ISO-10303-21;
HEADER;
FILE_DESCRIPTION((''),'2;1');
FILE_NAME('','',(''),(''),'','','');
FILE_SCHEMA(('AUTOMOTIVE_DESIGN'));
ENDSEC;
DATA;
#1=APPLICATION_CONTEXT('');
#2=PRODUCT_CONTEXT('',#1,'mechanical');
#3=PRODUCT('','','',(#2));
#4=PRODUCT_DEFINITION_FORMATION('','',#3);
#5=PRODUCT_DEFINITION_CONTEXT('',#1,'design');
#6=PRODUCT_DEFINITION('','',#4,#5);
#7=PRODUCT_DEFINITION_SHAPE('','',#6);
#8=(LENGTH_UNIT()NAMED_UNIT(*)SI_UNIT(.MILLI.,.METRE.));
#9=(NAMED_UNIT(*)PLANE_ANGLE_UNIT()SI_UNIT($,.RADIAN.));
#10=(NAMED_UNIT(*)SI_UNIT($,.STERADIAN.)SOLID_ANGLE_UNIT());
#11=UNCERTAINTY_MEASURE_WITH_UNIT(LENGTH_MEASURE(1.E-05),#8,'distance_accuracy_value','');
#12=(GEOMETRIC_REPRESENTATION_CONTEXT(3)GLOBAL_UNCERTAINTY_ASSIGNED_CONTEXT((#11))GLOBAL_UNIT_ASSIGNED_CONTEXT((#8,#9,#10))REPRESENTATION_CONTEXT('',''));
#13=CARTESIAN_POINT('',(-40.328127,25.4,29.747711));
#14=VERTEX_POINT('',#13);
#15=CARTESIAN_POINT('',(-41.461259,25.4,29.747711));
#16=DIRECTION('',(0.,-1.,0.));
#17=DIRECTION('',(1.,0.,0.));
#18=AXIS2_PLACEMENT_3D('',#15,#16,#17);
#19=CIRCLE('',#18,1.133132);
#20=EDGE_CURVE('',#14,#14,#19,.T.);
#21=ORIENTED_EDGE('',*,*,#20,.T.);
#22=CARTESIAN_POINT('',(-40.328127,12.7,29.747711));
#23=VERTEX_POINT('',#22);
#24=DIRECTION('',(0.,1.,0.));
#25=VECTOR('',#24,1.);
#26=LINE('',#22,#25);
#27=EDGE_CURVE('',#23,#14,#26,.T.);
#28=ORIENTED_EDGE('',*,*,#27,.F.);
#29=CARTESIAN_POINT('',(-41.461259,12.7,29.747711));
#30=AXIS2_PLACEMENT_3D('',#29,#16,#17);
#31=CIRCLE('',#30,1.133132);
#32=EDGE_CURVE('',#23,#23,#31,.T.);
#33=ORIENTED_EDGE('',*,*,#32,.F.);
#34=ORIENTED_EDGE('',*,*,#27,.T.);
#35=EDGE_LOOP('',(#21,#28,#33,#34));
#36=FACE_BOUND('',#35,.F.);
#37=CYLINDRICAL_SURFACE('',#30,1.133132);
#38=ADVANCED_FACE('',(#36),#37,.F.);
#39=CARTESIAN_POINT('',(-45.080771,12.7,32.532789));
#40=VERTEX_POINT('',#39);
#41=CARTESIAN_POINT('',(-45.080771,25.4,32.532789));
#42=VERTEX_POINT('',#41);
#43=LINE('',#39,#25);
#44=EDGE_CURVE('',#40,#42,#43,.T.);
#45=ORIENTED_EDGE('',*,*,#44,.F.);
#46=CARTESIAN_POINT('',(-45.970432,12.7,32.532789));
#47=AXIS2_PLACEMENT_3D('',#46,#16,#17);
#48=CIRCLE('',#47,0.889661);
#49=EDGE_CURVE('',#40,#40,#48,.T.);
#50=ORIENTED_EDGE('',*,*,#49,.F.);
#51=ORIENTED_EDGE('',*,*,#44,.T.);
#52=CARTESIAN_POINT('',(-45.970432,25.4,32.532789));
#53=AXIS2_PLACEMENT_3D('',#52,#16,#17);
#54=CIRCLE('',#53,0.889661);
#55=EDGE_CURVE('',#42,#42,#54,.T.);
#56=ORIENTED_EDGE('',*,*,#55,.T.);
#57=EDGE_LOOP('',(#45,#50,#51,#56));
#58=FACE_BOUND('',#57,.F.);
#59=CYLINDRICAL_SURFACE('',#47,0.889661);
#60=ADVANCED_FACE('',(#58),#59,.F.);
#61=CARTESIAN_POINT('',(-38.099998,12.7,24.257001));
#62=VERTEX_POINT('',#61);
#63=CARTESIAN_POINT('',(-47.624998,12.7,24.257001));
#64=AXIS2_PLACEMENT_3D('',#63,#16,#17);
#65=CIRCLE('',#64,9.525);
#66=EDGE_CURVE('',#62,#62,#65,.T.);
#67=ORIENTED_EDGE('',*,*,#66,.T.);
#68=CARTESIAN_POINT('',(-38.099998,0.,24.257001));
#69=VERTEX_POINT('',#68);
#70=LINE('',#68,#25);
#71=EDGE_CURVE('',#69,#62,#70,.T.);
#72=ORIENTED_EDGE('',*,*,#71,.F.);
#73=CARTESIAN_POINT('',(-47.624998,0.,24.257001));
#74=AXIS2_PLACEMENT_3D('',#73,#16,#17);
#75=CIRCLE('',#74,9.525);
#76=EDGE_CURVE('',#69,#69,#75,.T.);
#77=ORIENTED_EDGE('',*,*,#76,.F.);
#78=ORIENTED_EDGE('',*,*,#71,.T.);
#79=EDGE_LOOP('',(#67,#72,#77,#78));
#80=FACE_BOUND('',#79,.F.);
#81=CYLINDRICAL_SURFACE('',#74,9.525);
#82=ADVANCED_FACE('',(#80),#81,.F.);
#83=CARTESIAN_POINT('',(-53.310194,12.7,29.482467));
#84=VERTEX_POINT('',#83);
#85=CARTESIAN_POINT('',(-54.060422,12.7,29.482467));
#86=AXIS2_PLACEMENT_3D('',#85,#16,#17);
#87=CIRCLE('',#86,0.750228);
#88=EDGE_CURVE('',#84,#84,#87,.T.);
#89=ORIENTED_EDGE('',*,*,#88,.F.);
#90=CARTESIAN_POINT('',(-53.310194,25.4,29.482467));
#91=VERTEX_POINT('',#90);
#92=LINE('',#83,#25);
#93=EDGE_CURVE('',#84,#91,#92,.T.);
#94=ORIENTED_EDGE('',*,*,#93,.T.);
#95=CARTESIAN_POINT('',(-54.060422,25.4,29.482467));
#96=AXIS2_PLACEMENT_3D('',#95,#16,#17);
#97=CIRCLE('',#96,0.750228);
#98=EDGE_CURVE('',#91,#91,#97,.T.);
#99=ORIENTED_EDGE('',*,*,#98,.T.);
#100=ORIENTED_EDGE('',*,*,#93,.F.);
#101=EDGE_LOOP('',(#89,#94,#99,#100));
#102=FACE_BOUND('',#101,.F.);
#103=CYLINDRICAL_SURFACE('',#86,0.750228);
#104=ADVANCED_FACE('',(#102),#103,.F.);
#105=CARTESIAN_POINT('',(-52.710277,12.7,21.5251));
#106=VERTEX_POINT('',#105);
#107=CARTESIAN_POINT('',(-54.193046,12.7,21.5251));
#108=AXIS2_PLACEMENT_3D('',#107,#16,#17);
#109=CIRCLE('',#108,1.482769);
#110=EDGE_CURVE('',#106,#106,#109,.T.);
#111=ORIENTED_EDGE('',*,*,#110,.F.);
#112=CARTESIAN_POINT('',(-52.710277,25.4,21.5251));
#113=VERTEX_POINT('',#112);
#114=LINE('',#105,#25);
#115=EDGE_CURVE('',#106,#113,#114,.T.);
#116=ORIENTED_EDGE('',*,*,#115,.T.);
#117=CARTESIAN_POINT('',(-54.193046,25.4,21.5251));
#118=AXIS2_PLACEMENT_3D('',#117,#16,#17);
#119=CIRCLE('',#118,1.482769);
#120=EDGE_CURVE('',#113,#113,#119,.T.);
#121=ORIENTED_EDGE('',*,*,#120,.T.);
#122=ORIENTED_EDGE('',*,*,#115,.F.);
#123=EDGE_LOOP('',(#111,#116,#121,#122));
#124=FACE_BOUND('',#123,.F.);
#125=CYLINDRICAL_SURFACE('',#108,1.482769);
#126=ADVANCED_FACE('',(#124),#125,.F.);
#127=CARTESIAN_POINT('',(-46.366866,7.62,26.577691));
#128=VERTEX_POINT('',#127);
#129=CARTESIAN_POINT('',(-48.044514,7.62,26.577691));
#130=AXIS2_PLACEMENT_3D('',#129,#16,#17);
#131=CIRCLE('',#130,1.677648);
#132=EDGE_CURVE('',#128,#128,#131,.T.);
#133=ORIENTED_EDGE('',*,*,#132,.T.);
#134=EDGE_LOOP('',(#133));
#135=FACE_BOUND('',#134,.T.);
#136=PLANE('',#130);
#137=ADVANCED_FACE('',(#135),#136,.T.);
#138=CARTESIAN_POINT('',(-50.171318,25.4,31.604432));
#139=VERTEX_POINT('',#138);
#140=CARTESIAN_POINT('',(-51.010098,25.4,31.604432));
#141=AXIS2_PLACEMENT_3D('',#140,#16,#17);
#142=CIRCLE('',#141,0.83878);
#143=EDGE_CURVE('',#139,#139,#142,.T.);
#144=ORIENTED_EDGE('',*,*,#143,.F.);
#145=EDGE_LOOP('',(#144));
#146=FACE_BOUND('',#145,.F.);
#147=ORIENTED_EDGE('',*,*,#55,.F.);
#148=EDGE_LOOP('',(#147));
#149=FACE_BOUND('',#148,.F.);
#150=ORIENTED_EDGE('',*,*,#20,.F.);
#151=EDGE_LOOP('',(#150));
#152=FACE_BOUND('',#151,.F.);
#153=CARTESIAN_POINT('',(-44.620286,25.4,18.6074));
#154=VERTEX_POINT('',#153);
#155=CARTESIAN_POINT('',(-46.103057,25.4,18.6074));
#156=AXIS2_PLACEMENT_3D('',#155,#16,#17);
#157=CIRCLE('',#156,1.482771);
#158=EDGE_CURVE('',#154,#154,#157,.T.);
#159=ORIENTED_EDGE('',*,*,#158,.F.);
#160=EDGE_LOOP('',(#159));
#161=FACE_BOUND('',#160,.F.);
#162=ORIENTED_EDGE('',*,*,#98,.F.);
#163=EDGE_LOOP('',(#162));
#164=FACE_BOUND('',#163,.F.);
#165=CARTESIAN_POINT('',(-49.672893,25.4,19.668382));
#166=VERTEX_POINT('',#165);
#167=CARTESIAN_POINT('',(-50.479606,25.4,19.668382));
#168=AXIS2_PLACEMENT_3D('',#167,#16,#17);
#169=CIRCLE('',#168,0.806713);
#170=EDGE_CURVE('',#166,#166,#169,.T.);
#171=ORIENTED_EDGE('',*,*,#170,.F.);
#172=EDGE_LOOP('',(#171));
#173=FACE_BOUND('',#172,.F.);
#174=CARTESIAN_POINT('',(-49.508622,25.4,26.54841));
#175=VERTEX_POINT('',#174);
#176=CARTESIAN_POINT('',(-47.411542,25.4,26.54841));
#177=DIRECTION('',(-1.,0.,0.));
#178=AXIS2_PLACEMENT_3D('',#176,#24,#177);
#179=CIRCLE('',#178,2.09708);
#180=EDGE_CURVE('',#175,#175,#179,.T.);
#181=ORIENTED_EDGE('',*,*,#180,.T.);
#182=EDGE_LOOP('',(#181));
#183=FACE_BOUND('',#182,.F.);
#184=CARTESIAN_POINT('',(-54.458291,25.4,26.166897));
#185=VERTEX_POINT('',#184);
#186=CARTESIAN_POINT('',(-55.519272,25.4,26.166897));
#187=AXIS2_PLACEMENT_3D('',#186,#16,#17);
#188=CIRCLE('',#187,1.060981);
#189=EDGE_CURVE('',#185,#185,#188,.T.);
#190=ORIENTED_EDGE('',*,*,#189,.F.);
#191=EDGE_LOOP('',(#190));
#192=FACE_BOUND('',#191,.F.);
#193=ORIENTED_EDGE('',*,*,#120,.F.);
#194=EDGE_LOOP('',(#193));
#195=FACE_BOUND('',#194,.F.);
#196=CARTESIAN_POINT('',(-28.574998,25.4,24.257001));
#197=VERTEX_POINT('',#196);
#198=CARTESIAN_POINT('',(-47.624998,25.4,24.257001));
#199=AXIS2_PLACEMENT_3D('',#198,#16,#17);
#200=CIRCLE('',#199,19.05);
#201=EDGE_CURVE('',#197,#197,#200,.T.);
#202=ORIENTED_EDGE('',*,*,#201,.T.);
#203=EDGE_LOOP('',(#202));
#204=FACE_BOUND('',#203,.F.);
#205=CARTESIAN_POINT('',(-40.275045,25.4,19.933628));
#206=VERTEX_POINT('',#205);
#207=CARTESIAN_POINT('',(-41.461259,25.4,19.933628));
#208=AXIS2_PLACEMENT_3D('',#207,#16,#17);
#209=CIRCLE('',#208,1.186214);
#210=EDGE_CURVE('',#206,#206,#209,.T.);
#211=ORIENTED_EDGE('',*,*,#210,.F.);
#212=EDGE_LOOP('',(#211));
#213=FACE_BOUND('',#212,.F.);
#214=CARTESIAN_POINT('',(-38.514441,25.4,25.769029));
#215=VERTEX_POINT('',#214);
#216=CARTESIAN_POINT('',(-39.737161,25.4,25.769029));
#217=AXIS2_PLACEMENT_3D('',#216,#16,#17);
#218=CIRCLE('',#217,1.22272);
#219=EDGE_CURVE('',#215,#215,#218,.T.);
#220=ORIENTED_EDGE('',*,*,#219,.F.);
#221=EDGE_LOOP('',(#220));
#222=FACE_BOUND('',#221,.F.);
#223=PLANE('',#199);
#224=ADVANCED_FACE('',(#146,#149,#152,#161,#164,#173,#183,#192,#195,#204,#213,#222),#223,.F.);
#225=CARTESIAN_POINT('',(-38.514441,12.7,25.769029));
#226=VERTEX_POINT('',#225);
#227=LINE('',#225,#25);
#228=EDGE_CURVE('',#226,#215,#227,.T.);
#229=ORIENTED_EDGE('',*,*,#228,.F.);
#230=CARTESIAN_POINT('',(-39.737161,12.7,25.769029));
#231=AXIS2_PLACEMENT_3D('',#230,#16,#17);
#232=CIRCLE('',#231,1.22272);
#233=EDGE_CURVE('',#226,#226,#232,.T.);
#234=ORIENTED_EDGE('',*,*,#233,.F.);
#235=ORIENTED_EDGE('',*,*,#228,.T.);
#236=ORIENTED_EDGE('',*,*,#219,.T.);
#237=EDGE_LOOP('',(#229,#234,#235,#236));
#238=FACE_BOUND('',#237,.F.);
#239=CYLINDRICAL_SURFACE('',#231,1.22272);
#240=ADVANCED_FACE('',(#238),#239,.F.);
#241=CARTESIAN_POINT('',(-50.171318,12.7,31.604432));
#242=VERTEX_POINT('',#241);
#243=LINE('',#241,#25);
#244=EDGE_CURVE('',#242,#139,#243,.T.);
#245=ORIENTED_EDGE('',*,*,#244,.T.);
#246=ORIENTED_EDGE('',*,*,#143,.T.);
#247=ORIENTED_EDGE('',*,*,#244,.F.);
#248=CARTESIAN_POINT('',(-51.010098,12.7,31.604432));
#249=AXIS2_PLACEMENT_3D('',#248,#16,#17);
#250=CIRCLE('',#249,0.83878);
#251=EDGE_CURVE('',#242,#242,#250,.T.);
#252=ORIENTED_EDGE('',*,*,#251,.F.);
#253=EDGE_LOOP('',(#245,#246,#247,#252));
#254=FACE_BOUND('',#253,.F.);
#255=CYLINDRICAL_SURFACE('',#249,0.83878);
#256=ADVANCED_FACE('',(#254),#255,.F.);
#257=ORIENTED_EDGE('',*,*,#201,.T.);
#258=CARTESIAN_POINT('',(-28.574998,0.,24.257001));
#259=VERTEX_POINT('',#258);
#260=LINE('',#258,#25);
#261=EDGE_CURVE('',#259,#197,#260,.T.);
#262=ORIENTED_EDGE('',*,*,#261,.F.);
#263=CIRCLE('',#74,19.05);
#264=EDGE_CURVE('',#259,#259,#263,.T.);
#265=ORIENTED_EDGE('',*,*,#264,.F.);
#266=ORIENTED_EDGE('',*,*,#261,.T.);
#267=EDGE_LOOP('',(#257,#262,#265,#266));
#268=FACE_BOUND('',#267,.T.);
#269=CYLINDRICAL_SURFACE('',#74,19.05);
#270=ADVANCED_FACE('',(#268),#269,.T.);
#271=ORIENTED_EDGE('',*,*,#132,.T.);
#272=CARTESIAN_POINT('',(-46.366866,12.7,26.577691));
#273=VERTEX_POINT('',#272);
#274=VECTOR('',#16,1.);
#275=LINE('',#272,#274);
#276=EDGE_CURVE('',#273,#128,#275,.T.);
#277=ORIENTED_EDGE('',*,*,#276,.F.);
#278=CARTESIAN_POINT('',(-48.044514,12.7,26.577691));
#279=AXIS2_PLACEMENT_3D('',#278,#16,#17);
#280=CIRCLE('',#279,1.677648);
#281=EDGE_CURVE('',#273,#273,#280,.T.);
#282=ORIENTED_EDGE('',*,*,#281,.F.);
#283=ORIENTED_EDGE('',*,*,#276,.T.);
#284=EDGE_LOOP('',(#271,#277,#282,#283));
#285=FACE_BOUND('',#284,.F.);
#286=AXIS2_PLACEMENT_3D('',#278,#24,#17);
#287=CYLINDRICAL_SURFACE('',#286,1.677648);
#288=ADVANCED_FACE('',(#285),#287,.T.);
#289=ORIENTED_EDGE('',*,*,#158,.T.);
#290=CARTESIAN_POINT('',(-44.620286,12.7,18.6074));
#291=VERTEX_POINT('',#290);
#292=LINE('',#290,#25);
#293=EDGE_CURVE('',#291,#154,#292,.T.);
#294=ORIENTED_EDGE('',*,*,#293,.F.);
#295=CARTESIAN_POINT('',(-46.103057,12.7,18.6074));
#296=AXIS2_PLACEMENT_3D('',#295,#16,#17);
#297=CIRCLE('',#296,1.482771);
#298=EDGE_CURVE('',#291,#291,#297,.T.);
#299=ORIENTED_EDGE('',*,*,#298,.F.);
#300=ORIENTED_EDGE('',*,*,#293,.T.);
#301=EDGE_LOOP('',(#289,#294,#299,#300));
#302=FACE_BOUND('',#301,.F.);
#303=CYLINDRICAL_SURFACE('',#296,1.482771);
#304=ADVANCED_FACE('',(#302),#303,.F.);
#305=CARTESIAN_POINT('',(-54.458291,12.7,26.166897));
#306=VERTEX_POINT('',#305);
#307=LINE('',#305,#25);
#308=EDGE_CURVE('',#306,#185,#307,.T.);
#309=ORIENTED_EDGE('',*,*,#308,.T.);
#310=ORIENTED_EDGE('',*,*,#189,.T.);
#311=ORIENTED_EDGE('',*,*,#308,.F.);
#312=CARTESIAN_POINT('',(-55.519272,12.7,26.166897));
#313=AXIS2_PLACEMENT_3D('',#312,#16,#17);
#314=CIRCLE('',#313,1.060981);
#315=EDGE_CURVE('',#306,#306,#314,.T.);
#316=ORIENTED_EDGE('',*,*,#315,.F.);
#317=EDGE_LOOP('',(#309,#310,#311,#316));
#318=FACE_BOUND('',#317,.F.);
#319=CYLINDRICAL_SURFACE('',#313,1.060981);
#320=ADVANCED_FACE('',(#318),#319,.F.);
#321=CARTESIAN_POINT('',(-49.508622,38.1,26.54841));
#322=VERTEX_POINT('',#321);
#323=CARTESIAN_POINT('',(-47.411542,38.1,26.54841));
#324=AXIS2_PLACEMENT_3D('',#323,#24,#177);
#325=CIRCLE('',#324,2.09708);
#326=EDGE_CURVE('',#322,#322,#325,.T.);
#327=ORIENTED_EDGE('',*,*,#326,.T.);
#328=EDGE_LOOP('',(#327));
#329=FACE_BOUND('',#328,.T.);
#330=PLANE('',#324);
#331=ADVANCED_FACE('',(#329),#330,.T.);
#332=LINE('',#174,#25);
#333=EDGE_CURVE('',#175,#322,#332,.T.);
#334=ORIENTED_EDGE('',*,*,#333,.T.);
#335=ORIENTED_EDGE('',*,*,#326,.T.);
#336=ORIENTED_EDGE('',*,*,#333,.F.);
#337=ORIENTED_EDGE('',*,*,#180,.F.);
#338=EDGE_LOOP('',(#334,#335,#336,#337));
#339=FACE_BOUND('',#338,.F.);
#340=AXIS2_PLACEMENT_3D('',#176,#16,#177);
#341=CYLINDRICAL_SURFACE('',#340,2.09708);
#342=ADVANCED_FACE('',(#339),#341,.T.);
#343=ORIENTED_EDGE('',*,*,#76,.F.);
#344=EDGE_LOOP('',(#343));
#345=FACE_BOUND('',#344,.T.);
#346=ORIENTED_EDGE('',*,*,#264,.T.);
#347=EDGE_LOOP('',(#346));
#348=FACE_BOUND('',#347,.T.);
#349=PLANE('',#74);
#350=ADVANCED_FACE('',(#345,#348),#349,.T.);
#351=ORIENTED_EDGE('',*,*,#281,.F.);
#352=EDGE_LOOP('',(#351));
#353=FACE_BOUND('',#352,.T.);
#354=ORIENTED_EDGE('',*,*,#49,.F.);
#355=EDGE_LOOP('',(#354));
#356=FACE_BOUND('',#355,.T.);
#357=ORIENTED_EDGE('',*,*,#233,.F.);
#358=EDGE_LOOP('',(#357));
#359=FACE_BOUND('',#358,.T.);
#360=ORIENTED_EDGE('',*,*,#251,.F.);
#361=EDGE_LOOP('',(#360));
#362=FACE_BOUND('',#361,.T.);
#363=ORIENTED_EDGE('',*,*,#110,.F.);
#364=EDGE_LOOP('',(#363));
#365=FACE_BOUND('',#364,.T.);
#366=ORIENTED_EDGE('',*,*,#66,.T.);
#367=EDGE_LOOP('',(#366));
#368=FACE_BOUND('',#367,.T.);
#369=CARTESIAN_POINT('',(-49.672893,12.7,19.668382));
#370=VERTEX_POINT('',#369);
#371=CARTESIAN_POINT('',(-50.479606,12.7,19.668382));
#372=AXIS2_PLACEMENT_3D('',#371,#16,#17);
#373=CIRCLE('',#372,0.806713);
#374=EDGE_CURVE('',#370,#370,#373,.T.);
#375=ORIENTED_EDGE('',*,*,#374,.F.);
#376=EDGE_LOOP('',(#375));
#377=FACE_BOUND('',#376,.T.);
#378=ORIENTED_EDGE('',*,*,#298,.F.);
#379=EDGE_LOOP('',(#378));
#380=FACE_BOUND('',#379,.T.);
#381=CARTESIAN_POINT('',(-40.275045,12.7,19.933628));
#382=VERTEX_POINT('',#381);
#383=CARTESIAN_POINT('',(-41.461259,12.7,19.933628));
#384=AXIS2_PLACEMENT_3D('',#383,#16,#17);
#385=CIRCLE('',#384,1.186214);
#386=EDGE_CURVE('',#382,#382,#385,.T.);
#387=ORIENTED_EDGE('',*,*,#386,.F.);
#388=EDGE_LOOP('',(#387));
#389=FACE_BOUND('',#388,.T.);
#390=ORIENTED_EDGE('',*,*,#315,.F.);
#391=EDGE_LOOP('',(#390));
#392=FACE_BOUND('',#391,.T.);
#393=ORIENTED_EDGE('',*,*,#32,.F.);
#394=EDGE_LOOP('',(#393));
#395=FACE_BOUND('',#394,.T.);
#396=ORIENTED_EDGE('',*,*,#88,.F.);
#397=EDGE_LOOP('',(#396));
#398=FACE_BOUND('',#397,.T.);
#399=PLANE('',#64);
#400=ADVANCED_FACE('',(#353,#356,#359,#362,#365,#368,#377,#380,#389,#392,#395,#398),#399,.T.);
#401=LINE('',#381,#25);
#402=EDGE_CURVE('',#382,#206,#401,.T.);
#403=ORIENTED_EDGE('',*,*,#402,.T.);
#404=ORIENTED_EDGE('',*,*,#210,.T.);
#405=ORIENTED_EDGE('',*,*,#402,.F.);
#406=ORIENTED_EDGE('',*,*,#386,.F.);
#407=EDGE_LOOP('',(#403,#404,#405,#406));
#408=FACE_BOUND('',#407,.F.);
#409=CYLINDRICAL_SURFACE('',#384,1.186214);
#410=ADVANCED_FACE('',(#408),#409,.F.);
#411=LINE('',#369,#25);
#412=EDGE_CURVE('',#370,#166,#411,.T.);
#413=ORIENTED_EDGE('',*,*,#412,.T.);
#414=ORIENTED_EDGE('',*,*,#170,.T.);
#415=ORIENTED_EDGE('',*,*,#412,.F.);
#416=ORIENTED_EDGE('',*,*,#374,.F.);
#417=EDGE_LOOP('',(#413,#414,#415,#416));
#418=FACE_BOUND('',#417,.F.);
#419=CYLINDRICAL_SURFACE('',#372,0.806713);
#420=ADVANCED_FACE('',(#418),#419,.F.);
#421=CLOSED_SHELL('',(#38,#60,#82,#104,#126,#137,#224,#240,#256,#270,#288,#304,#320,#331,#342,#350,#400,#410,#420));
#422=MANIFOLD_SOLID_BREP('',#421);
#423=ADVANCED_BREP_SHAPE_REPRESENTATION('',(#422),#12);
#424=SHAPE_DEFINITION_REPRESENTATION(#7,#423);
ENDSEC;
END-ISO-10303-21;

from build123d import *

# Parameters (mm, degrees)
F0_R      = 19.05
F1_DEPTH  = 25.4
F2_R      = 9.525
F3_DEPTH  = 12.7
F4_R      = 1.133132
F4_R_2    = 0.889661
F4_R_3    = 0.83878
F4_R_4    = 0.750228
F4_R_5    = 1.060981
F4_R_6    = 1.482769
F4_R_7    = 0.806713
F4_R_8    = 1.482771
F4_R_9    = 1.186214
F4_R_10   = 1.22272
F5_DEPTH  = 25.4
F7_R      = 1.677648
F8_DEPTH  = 5.08
F9_R      = 2.09708
F10_DEPTH = 12.7


with BuildPart() as f1:
    # F0 (on Front) → F1 (new body)
    with BuildSketch(Plane.XZ):
        with Locations((-47.624998, 24.257001)):
            Circle(F0_R)
    extrude(amount=-F1_DEPTH)

    # F2 (on face) → F3 (cut)
    with BuildSketch(Plane.XZ):
        with Locations((-47.624998, 24.257001)):
            Circle(F2_R)
    extrude(amount=-F3_DEPTH, mode=Mode.SUBTRACT)

    # F4 (on face) → F5 (cut)
    with BuildSketch(Plane.XZ.offset(-12.7)):
        with Locations((-41.461259, 29.747711)):
            Circle(F4_R)
        with Locations((-45.970432, 32.532789)):
            Circle(F4_R_2)
        with Locations((-51.010098, 31.604432)):
            Circle(F4_R_3)
        with Locations((-54.060422, 29.482467)):
            Circle(F4_R_4)
        with Locations((-55.519272, 26.166897)):
            Circle(F4_R_5)
        with Locations((-54.193046, 21.5251)):
            Circle(F4_R_6)
        with Locations((-50.479606, 19.668382)):
            Circle(F4_R_7)
        with Locations((-46.103057, 18.6074)):
            Circle(F4_R_8)
        with Locations((-41.461259, 19.933628)):
            Circle(F4_R_9)
        with Locations((-39.737161, 25.769029)):
            Circle(F4_R_10)
    extrude(amount=-F5_DEPTH, mode=Mode.SUBTRACT)

    # F7 (on face) → F8 (join)
    with BuildSketch(Plane.XZ.offset(-12.7)):
        with Locations((-48.044514, 26.577691)):
            Circle(F7_R)
    extrude(amount=F8_DEPTH)

    # F9 (on face) → F10 (join)
    with BuildSketch(Plane(origin=(0, 25.4, 0), x_dir=(-1, 0, 0), z_dir=(0, 1, 0))):
        with Locations((47.411542, 26.54841)):
            Circle(F9_R)
    extrude(amount=F10_DEPTH)


solid = f1.part
